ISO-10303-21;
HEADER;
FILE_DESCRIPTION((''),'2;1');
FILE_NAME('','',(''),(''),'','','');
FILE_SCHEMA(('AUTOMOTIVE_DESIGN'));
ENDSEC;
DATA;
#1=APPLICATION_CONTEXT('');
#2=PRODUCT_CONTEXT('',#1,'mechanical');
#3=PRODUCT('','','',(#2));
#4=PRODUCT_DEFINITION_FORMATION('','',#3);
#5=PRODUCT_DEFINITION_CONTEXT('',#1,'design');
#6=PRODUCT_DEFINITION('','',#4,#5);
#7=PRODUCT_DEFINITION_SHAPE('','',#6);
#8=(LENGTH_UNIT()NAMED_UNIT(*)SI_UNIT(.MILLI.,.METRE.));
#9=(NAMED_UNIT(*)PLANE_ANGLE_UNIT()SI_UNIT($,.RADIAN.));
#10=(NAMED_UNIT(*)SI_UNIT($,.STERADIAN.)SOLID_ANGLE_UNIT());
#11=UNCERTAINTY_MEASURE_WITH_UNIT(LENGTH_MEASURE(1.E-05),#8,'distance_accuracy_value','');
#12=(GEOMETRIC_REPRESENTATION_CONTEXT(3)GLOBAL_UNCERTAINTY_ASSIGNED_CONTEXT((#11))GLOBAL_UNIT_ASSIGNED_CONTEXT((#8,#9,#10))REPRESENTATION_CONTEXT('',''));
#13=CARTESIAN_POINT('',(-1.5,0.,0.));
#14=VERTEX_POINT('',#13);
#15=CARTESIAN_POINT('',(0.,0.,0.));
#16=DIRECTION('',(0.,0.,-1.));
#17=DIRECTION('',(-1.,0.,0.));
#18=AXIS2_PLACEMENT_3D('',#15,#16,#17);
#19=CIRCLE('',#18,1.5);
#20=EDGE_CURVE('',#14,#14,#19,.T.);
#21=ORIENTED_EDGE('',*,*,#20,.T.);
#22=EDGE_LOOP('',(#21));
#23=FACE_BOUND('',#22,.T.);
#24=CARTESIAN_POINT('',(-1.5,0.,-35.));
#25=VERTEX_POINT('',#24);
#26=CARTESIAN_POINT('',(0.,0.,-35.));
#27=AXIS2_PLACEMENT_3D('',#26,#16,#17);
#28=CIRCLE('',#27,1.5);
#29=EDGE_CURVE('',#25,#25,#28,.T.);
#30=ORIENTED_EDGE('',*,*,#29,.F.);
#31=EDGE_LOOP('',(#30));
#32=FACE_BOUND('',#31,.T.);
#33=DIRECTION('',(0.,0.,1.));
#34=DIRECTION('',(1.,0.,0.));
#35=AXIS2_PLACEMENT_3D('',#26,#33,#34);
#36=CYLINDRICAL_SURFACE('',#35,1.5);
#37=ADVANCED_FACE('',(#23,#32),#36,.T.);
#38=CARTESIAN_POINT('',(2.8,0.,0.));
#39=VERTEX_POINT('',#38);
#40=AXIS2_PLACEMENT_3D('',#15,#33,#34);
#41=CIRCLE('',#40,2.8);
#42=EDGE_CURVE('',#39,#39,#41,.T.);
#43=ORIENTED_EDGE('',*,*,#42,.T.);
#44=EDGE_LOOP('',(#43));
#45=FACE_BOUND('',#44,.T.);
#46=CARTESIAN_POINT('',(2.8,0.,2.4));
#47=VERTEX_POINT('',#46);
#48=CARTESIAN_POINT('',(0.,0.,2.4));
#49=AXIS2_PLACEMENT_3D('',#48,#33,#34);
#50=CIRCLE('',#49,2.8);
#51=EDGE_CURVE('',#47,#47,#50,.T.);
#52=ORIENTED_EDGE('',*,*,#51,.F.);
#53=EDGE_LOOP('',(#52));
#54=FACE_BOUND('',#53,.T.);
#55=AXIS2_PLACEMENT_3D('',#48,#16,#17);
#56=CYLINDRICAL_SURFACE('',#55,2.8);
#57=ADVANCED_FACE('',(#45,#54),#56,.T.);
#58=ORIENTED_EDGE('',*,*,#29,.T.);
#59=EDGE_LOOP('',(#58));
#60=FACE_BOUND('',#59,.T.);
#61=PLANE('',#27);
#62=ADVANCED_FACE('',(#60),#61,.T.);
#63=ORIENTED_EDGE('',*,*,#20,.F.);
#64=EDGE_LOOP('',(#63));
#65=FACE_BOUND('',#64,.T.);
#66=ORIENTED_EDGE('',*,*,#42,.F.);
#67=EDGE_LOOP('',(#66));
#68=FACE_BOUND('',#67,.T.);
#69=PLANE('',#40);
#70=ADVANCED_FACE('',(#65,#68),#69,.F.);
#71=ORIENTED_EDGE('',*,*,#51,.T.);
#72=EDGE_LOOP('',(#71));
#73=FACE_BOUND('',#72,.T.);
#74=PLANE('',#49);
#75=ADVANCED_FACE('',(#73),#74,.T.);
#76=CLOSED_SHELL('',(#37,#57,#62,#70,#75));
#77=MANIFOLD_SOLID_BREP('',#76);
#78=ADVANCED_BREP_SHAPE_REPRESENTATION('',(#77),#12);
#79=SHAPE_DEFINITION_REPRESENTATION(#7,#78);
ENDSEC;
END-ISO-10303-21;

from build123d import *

# Parameters (mm, degrees)
ESQUISSE1_R        = 2.8
BOSS_EXTRU_1_DEPTH = 2.4
ESQUISSE2_R        = 1.5
BOSS_EXTRU_2_DEPTH = 35


with BuildPart() as part:
    # Esquisse1 → Boss.-Extru.1 (new body)
    with BuildSketch(Plane.XY):
        Circle(ESQUISSE1_R)
    extrude(amount=BOSS_EXTRU_1_DEPTH)

    # Esquisse2 → Boss.-Extru.2 (add)
    with BuildSketch(Plane(origin=(0, 0, 0), x_dir=(-1, 0, 0), z_dir=(0, 0, -1))):
        Circle(ESQUISSE2_R)
    extrude(amount=BOSS_EXTRU_2_DEPTH)


solid = part.part
